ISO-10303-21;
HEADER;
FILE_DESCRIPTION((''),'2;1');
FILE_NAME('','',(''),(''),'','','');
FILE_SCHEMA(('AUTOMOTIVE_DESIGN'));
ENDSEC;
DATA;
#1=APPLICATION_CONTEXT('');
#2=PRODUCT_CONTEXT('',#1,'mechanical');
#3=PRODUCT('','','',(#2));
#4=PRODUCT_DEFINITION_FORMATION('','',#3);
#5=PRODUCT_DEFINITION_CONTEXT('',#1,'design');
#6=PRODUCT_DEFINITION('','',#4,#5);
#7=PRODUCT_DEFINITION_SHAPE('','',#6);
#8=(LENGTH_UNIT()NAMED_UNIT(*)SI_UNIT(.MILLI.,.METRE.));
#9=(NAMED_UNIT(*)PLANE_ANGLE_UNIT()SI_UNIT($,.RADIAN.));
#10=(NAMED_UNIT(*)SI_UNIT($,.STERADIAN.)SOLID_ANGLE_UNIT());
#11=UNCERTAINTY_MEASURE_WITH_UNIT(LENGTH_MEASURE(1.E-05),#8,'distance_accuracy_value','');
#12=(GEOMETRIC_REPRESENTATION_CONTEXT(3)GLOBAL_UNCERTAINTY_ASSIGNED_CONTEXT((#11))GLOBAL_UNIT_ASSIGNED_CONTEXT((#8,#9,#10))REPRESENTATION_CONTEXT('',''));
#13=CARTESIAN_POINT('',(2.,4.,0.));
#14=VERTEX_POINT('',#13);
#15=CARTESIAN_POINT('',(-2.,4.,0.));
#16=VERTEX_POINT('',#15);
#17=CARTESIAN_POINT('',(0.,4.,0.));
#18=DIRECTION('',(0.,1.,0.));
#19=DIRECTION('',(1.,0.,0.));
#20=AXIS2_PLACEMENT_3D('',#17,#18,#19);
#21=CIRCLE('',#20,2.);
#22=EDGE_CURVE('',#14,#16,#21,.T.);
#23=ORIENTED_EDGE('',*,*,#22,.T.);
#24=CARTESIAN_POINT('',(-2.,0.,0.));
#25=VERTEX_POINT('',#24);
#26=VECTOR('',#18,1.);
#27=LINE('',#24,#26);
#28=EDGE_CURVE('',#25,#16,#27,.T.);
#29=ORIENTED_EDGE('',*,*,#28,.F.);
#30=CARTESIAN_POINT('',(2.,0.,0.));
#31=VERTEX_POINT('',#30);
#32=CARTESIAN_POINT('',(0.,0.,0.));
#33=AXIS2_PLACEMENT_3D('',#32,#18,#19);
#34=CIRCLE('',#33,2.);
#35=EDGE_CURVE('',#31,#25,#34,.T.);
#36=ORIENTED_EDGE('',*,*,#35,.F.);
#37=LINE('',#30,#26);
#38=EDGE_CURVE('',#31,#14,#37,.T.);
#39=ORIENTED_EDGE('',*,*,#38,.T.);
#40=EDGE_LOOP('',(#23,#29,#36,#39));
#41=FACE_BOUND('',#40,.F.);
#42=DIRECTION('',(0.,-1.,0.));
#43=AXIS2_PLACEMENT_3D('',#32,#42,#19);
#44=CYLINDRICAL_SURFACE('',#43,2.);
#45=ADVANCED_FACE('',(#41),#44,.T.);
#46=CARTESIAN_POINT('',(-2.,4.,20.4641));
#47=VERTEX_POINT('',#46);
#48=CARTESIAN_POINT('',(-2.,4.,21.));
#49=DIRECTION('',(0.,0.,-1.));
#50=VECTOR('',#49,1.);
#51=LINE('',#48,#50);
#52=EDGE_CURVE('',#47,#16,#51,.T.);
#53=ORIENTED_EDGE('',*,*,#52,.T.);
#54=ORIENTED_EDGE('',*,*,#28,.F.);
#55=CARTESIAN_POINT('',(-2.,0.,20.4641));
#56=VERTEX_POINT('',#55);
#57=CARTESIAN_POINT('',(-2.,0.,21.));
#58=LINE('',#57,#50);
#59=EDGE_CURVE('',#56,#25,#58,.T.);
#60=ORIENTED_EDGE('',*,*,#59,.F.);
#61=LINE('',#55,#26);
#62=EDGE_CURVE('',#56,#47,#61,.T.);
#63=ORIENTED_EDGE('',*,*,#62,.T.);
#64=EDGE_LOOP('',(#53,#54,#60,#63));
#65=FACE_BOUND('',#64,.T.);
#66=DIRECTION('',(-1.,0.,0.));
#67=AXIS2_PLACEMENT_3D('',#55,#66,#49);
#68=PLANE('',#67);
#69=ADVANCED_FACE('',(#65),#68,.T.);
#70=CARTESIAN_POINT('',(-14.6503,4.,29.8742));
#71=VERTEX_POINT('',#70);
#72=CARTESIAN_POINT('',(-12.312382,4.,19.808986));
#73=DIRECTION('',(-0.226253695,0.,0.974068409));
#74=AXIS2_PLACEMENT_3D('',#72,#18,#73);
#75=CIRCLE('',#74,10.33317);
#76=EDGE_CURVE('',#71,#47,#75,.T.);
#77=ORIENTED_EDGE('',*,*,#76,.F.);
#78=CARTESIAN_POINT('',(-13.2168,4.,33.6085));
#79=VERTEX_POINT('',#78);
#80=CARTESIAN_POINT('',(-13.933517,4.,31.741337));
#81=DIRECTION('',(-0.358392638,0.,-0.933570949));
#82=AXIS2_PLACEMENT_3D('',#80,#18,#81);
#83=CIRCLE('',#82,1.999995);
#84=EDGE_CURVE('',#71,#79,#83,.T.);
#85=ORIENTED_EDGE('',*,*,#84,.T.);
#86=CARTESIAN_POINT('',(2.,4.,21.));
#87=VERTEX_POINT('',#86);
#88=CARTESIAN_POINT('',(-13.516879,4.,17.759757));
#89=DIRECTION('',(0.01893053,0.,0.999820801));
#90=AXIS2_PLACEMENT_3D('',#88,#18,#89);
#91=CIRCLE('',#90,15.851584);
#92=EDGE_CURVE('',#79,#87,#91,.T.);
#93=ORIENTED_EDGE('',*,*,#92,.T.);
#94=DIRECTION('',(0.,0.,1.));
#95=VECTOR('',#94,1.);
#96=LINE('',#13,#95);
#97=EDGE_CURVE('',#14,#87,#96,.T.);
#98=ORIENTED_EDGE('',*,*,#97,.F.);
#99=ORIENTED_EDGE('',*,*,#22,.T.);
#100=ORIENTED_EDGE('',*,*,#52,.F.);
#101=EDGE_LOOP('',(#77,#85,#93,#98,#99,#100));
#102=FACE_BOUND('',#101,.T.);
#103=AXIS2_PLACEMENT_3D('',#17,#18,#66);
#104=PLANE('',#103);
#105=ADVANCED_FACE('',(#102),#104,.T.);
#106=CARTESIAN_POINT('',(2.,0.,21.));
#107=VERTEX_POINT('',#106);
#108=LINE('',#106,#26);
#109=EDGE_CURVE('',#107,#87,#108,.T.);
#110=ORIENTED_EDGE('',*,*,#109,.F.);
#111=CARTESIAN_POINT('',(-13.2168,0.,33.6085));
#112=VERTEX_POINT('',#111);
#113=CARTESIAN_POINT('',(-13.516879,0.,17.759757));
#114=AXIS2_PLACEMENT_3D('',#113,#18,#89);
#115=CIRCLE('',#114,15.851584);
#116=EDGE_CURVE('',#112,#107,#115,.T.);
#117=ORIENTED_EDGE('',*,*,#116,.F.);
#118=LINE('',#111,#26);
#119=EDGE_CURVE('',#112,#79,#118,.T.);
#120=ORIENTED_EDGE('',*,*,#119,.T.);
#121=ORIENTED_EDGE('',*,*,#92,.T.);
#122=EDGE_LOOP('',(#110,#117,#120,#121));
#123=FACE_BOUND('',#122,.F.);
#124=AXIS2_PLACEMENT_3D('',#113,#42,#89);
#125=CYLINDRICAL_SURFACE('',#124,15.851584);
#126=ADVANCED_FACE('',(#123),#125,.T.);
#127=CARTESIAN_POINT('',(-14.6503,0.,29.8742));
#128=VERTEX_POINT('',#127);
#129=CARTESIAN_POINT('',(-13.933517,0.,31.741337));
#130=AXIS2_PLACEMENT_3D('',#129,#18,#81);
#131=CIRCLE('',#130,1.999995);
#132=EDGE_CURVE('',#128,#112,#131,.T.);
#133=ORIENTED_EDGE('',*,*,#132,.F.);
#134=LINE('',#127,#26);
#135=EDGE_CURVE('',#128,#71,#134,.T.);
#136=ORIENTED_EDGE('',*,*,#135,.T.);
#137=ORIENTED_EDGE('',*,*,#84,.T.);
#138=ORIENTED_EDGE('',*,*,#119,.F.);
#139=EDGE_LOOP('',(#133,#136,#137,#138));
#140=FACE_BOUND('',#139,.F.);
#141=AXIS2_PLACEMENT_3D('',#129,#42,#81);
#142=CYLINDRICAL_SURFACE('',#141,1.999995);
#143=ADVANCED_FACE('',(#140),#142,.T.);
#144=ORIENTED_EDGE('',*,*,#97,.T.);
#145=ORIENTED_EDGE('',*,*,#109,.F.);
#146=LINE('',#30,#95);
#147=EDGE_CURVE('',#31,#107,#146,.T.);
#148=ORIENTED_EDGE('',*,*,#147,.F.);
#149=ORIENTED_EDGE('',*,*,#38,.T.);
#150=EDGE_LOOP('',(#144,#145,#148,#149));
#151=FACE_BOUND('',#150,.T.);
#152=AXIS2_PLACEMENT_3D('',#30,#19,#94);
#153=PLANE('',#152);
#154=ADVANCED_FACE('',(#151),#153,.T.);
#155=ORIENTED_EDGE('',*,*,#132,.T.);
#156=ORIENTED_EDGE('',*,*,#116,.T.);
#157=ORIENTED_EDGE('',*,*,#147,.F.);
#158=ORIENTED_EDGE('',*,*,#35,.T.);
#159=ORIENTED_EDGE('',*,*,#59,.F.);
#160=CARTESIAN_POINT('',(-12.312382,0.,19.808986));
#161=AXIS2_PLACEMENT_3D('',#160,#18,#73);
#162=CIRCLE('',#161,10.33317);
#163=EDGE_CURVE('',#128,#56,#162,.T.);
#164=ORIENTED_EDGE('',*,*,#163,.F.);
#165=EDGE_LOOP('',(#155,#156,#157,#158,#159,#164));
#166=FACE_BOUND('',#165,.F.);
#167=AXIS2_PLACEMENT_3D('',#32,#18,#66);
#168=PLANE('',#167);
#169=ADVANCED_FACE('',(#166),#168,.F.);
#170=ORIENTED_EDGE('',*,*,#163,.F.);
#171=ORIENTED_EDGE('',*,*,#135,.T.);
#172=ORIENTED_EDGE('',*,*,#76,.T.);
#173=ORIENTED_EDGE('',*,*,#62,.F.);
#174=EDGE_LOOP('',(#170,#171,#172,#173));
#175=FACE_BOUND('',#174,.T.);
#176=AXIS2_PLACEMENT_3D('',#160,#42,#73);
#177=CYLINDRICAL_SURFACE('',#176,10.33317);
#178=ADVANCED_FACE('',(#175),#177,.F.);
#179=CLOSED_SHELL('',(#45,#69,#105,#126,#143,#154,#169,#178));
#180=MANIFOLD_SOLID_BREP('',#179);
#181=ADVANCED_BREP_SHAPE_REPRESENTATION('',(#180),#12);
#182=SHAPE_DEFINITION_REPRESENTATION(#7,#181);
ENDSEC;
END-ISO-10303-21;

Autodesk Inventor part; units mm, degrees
ref_plane "YZ Plane" through (0, 0, 0) normal (1, 0, 0) x (0, 1, 0)
ref_plane "XZ Plane" through (0, 0, 0) normal (0, 1, 0) x (-1, 0, 0)
ref_plane "XY Plane" through (0, 0, 0) normal (0, 0, 1) x (1, 0, 0)
sketch "Sketch1" plane through (0, 0, 0) normal (0, 1, 0) x (-1, 0, 0)
  line L0 (0, 0) -> (0, 21) construction
  line L1 (-2, 0) -> (-2, 21)
  line L2 (2, 21) -> (2, 0)
  arc A0 (-2, 0) -> (2, 0) centre (0, 0) ccw
  arc A1 (2, 21) -> (-2, 21) centre (0, 21) ccw construction
  line L3 (0, 21) -> (4, 27.9282) construction
  line L4 (1.7321, 20) -> (5.7321, 26.9282) construction
  line L5 (2.2679, 28.9282) -> (-1.7321, 22) construction
  arc A2 (-1.7321, 22) -> (1.7321, 20) centre (0, 21) ccw construction
  arc A3 (5.7321, 26.9282) -> (2.2679, 28.9282) centre (4, 27.9282) ccw construction
  line L6 (4, 27.9282) -> (13.9336, 31.7413) construction
  line L7 (3.4527, 25.5758) -> (14.6503, 29.8742) construction
  line L8 (13.2168, 33.6085) -> (3.2833, 29.7954) construction
  arc A4 (3.2833, 29.7954) -> (3, 26.1962) centre (4, 27.9282) ccw construction
  arc A5 (14.6503, 29.8742) -> (13.2168, 33.6085) centre (13.9336, 31.7413) ccw
  line L9 (13.9336, 31.7413) -> (22.9322, 31.8984) construction
  arc A6 (13.2168, 33.6085) -> (-2, 21) centre (13.5169, 17.7597) ccw
  arc A7 (14.6503, 29.8742) -> (2, 20.4641) centre (12.3124, 19.8089) ccw
  point P0 (0, 10.5)
  point P1 (2, 24.4641)
  point P2 (-1.7321, 22)
  point P3 (8.9668, 29.8348)
  point P4 (5.3779, 26.3149)
  point P5 (18.4329, 31.8199)
  dimension "d0" = 4
  dimension "d5" = 25
  dimension "d6" = 150
  dimension "d7" = 4
  dimension "d8" = 12
  dimension "d9" = 12
  dimension "d10" = 111
  dimension "d11" = 200
  dimension "d13" = 9
extrude "Extrusion1" add sketch "Sketch1" along normal blind 4
equation "\"d7\" = d0"
properties part number "_3DPrint"
